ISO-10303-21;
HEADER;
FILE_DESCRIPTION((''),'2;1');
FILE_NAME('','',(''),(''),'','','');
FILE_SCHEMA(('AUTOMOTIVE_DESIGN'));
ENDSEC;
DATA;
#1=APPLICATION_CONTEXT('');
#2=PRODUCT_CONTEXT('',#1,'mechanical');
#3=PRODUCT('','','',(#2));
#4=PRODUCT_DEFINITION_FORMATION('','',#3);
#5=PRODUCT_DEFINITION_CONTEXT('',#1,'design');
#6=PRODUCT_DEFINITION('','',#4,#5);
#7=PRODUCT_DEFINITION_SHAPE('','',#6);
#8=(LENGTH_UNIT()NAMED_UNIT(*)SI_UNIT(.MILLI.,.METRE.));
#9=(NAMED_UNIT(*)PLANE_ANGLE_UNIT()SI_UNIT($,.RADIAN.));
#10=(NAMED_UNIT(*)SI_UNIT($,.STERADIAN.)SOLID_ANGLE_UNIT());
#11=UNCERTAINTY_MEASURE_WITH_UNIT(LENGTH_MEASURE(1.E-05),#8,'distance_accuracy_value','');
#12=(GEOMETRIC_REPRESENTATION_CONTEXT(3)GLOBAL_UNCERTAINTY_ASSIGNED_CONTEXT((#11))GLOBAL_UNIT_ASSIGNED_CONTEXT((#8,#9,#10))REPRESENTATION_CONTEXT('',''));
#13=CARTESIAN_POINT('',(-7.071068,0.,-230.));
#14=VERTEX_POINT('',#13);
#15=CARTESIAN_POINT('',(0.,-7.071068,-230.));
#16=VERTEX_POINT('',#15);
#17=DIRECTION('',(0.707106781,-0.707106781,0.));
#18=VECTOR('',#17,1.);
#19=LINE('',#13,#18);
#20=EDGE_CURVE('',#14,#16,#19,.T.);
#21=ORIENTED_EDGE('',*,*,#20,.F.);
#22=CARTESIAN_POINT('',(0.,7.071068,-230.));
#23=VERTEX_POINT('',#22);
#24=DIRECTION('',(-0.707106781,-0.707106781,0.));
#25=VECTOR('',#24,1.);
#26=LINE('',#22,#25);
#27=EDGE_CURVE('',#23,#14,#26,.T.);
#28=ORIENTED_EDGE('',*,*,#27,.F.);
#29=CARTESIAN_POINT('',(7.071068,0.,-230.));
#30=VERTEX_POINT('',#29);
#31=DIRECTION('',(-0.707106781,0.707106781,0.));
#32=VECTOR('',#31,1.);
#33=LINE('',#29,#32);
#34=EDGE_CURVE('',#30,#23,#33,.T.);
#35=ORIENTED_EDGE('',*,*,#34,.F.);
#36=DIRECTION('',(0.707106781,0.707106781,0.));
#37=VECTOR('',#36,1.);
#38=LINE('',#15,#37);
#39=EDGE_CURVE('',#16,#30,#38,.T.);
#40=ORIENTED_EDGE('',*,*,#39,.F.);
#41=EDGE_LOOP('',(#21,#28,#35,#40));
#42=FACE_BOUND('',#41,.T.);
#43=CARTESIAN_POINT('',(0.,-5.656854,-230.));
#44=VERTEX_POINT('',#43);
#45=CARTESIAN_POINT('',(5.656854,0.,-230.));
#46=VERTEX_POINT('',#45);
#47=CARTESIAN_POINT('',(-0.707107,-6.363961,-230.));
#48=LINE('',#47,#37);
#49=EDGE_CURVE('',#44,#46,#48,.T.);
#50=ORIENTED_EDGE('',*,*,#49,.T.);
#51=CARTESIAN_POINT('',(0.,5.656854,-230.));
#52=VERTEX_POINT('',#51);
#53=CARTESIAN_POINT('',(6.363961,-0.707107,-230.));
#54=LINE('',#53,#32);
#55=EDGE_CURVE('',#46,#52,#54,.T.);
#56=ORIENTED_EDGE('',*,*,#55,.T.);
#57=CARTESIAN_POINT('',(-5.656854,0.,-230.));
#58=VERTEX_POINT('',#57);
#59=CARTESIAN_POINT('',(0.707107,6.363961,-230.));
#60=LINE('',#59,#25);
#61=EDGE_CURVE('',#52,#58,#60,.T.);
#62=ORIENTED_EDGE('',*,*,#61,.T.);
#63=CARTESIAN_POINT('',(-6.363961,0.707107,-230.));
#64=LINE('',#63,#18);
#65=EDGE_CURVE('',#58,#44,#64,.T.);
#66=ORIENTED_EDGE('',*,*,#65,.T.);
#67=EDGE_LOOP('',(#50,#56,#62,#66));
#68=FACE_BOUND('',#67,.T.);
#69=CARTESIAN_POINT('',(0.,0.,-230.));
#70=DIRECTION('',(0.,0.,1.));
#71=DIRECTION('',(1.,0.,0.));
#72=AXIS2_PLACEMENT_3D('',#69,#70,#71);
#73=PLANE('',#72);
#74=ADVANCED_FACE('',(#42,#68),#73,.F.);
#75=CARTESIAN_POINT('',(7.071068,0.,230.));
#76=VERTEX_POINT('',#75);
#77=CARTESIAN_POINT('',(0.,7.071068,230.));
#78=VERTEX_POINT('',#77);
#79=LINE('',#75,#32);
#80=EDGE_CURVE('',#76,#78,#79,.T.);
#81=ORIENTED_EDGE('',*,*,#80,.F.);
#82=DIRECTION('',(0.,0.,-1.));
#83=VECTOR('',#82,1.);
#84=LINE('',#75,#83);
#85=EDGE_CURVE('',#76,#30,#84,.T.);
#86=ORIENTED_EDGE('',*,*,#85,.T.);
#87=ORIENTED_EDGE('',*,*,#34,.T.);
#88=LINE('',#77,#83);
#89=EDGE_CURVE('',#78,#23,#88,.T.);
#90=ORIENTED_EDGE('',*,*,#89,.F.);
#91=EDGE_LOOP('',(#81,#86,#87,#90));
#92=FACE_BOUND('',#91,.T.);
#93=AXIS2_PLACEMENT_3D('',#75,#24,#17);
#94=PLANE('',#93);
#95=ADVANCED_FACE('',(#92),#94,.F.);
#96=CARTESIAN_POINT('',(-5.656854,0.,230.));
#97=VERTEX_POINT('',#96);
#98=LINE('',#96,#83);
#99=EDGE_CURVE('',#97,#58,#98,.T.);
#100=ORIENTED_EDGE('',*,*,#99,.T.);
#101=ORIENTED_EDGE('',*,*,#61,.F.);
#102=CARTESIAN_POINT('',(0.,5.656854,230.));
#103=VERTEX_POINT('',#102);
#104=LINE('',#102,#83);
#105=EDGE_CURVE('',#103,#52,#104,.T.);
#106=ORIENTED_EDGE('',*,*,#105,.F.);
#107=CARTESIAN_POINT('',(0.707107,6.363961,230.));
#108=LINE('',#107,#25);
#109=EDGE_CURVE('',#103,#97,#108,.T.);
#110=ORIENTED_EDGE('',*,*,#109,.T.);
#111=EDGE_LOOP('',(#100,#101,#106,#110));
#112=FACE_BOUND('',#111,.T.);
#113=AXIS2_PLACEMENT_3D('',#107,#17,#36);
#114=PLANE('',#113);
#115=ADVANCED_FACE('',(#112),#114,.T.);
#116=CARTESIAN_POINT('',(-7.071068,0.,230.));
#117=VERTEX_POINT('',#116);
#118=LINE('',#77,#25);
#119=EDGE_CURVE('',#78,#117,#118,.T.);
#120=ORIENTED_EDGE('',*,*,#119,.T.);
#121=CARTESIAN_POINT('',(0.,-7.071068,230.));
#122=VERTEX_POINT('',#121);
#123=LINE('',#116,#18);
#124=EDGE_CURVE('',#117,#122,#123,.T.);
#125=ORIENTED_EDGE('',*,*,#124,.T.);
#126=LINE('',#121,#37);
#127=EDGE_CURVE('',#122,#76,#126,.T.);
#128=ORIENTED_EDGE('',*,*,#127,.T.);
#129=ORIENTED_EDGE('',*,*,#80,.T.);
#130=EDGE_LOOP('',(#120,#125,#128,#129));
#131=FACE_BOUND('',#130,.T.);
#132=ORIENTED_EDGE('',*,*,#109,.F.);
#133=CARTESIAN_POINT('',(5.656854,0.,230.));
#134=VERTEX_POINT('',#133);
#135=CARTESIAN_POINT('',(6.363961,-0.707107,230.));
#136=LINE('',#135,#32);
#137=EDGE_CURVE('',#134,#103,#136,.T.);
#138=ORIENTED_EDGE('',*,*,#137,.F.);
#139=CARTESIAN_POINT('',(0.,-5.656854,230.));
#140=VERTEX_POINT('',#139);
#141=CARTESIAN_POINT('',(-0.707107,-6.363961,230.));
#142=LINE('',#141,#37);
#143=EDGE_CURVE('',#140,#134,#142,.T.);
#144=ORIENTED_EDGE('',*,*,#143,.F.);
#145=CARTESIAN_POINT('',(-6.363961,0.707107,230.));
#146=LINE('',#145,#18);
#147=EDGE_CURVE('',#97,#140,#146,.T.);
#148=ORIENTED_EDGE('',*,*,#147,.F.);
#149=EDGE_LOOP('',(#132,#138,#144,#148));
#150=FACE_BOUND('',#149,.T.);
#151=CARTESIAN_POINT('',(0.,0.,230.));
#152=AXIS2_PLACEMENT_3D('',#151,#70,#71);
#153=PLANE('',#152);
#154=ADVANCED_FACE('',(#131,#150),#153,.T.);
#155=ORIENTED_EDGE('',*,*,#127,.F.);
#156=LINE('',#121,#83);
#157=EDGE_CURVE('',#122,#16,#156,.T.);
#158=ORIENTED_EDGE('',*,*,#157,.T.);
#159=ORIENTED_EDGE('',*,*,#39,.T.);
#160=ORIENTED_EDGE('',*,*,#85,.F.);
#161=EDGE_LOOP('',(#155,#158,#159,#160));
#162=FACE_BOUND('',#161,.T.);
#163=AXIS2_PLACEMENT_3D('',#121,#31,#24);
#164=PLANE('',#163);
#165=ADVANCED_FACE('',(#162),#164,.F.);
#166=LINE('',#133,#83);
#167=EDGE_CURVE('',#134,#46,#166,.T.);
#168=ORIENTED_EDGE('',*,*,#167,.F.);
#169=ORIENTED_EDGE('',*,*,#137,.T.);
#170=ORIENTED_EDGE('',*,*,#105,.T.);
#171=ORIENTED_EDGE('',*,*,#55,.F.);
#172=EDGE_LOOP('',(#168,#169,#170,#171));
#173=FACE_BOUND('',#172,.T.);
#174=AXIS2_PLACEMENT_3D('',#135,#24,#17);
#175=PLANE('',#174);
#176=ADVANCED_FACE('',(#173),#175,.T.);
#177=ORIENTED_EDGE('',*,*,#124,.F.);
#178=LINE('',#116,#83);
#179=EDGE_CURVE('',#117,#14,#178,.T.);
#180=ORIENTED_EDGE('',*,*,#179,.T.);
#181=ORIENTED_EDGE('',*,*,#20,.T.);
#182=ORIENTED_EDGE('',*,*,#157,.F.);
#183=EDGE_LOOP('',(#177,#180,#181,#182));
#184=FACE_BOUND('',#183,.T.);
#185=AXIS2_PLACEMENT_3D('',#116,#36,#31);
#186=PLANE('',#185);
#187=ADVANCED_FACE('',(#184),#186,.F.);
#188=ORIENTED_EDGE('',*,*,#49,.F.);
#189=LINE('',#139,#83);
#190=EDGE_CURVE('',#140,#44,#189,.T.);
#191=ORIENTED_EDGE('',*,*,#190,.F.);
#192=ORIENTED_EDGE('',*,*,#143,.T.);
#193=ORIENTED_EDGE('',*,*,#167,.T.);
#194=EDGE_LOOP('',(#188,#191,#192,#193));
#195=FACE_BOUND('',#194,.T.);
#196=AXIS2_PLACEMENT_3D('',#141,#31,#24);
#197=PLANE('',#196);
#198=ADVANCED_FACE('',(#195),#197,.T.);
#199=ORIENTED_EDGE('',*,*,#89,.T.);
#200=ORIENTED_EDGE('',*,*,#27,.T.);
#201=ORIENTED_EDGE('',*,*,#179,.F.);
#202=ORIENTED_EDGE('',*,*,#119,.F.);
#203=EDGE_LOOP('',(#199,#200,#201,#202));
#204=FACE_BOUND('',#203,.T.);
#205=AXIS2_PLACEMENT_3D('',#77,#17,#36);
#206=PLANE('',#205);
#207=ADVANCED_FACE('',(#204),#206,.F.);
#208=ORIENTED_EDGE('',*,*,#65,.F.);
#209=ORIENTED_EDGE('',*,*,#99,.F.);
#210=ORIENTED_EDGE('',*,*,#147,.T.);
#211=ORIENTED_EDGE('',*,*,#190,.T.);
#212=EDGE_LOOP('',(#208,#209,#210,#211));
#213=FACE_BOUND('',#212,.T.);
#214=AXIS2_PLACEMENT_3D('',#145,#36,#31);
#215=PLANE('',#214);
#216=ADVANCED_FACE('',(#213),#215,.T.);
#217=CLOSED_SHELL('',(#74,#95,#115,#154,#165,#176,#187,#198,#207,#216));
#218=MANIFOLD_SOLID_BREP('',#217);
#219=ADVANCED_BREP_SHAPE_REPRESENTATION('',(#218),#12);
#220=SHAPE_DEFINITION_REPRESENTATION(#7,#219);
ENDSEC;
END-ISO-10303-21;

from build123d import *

# Parameters (mm, degrees)
EXTRUDE_THIN1_DEPTH = 230


with BuildPart() as part:
    # Sketch1 → Extrude-Thin1 (new, symmetric)
    with BuildSketch(Plane.XY):
        Polygon((0, -7.071067812), (7.071067812, 0), (0, 7.071067812), (-7.071067812, 0), align=None)
        Polygon((0, -5.656854249), (5.656854249, 0), (0, 5.656854249), (-5.656854249, 0), align=None, mode=Mode.SUBTRACT)
    extrude(amount=EXTRUDE_THIN1_DEPTH, both=True)


solid = part.part
